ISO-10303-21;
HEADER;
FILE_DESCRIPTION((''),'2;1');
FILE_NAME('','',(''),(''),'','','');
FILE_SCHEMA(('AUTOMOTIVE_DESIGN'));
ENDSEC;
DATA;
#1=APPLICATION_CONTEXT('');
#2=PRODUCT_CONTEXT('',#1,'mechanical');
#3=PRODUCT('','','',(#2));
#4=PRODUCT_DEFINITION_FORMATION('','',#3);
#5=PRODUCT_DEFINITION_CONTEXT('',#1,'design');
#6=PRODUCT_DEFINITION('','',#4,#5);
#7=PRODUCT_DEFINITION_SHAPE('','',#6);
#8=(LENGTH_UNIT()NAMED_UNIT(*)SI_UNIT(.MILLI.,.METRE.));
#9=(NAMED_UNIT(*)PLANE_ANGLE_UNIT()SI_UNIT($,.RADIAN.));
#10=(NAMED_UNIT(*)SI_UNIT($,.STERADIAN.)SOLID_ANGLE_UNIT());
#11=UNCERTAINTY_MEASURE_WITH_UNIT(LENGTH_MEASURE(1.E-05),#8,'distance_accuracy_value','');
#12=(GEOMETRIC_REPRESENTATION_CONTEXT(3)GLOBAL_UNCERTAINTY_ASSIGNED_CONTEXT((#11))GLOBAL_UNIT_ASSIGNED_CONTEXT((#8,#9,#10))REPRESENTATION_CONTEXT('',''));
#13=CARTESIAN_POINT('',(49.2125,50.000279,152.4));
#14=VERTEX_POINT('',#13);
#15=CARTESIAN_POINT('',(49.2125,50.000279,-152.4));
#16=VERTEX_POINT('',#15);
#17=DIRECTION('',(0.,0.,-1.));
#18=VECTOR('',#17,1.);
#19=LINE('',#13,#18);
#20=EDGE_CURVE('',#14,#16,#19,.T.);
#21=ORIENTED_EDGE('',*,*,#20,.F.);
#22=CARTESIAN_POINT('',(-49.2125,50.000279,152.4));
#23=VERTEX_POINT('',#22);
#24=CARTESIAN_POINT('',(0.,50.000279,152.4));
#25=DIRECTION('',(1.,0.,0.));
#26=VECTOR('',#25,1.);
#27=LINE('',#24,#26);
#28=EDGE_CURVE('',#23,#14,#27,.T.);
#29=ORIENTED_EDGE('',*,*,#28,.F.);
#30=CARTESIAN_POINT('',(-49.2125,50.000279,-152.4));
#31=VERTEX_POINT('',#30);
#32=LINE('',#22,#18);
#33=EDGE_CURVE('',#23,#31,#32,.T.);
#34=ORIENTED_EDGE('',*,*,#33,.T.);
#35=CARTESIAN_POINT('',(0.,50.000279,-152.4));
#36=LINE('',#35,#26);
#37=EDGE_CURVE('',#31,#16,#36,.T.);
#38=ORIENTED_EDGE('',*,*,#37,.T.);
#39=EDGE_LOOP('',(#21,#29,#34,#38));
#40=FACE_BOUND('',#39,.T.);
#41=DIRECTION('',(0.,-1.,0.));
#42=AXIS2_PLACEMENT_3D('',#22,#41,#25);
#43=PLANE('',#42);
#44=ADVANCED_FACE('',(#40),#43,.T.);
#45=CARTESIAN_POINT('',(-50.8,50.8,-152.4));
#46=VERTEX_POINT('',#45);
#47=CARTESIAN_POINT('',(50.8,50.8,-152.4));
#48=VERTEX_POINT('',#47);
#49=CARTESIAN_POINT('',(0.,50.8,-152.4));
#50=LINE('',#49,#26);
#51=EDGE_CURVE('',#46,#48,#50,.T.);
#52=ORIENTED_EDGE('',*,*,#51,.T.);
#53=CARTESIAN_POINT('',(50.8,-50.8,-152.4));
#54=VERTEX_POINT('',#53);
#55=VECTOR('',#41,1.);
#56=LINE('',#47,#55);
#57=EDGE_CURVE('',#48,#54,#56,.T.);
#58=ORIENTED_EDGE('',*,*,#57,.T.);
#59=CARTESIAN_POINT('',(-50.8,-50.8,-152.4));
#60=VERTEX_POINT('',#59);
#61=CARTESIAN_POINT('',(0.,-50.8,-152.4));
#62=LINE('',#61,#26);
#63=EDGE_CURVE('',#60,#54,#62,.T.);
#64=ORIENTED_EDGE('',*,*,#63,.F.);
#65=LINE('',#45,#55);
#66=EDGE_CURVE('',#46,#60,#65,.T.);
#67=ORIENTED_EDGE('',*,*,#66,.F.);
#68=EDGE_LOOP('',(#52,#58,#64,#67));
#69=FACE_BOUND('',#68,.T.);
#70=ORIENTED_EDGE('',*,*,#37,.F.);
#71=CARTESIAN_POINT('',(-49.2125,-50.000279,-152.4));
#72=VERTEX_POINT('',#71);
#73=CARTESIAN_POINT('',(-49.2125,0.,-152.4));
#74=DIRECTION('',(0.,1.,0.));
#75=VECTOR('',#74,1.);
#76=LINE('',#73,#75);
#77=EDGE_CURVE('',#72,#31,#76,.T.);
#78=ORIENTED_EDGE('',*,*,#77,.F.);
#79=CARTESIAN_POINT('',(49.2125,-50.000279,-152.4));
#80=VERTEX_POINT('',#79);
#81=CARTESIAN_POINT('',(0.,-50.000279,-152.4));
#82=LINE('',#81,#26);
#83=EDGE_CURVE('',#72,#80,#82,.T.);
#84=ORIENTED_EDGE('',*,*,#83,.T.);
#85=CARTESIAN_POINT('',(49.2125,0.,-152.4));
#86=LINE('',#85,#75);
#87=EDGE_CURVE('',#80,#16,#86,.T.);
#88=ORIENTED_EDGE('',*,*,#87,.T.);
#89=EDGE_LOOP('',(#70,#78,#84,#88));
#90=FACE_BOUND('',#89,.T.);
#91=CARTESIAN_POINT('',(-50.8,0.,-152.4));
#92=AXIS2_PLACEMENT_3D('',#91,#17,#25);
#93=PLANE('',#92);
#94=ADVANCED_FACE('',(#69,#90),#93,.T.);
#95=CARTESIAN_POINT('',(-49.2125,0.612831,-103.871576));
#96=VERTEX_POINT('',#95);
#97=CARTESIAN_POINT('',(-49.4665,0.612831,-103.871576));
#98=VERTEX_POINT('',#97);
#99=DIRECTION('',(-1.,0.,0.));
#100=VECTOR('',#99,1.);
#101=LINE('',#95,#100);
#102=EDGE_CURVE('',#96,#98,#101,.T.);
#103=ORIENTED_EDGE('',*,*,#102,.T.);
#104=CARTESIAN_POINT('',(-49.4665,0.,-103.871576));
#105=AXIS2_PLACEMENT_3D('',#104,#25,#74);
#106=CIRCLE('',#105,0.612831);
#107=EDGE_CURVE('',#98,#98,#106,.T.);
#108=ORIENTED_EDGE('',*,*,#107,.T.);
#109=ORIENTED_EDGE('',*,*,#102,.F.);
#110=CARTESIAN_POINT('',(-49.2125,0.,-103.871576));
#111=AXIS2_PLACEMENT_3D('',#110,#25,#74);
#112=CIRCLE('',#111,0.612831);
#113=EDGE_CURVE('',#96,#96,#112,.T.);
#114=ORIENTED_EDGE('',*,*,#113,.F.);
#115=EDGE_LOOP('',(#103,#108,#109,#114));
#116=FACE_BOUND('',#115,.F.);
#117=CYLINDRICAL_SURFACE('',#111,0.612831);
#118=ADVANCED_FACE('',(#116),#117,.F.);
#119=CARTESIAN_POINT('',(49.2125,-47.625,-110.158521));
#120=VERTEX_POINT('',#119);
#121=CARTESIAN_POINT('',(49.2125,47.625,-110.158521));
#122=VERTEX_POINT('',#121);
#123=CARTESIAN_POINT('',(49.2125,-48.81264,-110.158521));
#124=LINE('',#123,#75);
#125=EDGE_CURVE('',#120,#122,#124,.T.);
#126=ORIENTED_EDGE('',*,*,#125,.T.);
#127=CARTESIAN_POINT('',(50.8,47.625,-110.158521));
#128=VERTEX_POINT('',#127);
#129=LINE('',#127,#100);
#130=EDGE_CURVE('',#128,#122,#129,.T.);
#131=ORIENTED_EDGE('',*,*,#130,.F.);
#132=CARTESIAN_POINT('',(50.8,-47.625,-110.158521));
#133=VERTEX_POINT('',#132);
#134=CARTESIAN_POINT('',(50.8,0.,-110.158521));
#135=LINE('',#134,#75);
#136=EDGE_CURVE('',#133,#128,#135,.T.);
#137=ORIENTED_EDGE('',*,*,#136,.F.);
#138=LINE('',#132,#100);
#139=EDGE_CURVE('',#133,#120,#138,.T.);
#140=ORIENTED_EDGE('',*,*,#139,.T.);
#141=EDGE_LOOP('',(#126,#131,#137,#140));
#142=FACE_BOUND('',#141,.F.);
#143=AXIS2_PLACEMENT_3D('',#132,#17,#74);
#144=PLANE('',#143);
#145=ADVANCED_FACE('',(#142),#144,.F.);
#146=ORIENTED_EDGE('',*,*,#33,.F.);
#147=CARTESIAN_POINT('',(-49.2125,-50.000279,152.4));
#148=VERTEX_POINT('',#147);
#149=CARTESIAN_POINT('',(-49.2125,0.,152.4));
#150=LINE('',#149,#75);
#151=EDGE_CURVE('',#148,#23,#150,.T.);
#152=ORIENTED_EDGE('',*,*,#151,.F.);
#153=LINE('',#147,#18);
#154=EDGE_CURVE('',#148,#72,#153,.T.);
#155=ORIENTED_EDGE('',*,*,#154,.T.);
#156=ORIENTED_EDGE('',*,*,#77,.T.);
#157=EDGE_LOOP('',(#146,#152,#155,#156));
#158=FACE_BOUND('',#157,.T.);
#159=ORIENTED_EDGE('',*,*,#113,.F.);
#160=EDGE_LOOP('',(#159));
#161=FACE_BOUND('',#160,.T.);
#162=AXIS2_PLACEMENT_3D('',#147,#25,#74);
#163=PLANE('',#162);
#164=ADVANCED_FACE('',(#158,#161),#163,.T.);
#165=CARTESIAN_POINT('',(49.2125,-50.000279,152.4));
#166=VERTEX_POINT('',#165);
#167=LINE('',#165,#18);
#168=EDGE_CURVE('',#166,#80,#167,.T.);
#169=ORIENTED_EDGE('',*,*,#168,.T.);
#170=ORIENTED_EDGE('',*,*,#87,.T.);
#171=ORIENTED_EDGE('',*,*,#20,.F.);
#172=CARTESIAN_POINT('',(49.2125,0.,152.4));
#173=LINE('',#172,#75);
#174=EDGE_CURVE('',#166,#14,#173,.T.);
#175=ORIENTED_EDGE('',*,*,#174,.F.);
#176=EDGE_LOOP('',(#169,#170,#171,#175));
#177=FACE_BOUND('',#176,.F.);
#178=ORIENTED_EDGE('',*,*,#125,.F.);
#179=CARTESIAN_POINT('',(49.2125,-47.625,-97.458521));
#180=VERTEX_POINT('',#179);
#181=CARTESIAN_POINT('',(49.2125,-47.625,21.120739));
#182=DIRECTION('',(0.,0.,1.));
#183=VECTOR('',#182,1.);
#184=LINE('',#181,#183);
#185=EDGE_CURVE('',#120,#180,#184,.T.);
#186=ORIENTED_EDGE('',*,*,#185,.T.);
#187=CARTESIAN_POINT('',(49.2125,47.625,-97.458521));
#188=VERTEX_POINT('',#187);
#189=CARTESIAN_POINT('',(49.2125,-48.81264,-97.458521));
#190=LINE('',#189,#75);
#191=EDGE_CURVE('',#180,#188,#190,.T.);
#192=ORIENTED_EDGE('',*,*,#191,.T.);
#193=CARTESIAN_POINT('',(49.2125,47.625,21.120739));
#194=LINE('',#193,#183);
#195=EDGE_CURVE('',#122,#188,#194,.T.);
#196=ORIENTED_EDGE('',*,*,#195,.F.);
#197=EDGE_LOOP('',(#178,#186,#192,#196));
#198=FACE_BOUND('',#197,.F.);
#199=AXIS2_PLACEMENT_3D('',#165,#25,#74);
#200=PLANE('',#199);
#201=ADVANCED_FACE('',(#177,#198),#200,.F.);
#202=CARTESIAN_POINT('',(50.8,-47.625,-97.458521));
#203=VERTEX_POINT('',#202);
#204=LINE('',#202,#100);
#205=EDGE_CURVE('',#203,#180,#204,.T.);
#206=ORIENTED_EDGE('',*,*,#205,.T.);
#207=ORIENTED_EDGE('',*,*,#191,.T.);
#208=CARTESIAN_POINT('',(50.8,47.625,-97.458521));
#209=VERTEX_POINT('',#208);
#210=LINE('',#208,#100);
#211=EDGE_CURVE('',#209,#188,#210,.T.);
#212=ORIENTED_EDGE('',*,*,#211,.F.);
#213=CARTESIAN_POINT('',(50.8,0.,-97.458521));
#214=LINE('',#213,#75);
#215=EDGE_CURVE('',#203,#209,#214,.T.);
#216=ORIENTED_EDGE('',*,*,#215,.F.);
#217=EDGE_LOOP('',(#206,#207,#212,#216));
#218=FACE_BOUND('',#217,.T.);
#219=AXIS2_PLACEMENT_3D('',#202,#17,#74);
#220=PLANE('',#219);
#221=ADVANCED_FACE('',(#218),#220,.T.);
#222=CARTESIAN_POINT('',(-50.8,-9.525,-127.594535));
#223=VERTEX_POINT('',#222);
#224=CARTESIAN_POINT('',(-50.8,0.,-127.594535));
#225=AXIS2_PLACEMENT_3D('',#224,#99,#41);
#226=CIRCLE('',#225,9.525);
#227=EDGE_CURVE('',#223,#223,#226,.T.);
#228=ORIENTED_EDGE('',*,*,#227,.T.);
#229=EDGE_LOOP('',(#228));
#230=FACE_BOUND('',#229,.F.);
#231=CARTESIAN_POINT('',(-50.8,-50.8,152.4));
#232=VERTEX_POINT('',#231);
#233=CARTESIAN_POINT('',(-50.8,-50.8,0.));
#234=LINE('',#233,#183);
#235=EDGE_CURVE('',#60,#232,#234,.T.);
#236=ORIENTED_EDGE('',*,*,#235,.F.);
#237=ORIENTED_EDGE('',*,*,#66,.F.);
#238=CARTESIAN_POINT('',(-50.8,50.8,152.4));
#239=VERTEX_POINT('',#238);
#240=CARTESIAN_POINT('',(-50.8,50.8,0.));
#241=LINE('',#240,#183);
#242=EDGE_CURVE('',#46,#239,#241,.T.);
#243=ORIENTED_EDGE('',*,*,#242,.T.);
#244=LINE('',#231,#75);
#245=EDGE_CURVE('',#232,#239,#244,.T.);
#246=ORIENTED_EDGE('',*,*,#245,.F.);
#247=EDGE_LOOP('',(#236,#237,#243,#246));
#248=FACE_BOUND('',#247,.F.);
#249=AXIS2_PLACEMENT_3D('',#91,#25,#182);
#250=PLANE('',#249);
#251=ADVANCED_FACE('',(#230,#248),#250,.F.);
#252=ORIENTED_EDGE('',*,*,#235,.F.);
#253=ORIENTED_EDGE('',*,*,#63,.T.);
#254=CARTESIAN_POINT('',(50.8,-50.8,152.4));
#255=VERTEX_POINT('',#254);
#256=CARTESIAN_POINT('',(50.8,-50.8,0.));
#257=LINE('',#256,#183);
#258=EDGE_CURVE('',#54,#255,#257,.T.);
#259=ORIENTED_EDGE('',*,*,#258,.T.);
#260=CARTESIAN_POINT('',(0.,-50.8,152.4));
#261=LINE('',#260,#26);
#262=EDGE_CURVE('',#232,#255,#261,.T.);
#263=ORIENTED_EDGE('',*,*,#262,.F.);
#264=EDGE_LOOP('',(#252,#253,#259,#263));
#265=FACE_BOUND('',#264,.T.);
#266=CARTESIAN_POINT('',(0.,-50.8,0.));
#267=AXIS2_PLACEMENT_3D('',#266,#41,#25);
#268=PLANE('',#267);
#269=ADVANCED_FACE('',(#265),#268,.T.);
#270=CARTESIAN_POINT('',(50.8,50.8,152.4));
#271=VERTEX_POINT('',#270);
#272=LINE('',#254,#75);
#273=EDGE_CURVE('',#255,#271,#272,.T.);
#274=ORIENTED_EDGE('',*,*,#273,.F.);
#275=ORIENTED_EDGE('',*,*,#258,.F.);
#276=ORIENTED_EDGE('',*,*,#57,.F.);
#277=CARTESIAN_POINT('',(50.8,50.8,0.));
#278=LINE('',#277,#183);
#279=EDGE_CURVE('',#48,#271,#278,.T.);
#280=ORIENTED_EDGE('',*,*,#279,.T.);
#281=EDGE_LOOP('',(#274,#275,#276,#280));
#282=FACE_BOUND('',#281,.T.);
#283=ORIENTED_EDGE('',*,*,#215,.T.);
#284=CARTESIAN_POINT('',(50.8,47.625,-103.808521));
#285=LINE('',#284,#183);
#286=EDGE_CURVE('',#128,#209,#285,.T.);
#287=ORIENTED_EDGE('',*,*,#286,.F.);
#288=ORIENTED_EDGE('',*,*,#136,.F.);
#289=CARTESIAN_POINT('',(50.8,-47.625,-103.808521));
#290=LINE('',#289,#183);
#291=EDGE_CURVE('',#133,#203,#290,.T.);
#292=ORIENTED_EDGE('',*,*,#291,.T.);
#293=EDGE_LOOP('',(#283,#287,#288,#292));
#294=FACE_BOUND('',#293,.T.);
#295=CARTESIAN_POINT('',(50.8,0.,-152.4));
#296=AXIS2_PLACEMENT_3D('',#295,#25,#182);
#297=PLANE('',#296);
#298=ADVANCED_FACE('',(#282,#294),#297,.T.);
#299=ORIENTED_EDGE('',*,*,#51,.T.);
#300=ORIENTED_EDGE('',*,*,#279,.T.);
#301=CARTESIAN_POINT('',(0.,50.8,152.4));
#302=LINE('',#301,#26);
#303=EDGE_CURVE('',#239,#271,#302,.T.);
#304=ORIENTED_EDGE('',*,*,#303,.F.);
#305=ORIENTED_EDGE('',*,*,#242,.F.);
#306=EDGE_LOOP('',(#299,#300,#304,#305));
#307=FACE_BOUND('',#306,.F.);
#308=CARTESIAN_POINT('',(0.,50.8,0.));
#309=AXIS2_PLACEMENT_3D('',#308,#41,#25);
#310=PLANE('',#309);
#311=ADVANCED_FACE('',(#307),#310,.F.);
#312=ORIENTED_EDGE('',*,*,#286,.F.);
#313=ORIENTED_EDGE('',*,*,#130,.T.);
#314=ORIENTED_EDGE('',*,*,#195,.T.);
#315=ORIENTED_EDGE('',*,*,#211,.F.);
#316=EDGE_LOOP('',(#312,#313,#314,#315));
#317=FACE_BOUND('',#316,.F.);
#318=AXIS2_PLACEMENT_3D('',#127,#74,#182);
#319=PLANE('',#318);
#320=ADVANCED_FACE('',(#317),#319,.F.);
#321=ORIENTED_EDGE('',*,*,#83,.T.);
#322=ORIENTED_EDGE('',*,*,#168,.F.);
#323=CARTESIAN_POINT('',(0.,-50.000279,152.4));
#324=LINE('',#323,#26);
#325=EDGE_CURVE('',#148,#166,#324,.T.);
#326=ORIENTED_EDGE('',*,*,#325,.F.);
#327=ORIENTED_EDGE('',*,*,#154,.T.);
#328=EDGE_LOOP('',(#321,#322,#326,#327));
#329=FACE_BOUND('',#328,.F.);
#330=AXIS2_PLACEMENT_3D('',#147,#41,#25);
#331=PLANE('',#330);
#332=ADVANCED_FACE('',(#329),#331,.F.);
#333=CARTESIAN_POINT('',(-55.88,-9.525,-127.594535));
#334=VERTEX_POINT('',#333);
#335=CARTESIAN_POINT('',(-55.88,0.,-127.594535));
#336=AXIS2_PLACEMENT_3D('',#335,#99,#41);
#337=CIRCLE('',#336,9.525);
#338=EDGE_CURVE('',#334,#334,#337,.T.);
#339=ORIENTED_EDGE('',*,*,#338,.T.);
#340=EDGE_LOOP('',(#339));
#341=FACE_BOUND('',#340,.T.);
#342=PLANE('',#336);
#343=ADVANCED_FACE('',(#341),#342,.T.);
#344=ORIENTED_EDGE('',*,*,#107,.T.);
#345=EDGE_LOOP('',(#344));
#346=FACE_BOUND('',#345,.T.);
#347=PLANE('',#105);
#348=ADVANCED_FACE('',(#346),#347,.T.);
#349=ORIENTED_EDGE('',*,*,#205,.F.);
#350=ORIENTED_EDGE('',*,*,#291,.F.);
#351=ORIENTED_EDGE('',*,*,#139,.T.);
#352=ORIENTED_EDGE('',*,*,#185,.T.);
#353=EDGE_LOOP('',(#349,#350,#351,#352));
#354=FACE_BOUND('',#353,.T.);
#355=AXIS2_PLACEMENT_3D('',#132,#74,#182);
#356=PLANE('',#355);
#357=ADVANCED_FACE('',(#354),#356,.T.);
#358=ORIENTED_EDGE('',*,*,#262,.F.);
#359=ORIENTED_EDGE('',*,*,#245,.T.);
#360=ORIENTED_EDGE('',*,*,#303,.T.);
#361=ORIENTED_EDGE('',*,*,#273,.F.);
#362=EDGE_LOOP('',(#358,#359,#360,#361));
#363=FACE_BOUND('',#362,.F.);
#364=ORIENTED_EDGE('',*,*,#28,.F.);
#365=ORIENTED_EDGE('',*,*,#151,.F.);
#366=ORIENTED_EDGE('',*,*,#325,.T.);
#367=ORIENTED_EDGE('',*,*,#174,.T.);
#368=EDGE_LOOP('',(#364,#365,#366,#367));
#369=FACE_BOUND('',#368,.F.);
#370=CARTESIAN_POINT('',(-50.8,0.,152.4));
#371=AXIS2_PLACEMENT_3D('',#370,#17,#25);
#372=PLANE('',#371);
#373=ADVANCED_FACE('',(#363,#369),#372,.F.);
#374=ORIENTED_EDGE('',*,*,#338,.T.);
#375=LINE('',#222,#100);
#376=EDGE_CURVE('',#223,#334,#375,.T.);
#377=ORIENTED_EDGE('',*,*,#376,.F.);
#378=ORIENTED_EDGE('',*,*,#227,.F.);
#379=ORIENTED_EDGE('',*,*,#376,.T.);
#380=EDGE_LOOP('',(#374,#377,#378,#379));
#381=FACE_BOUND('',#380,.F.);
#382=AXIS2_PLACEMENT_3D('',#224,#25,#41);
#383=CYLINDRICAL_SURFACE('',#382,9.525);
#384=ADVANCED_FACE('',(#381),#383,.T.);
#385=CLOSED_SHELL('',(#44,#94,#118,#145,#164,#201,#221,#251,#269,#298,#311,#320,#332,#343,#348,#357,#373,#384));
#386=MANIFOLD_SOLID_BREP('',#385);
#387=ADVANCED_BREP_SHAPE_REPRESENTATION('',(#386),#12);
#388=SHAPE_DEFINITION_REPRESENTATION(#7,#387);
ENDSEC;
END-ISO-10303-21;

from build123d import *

# Parameters (mm, degrees)
F0_W     = 101.6
F0_H     = 304.8
F1_DEPTH = 50.8
F2_W     = 98.425
F2_H     = 100.000558
F3_DEPTH = 304.8
F4_W     = 95.25
F4_H     = 12.7
F5_DEPTH = 25.4
F6_R     = 9.525
F7_DEPTH = 5.08
F8_R     = 0.612831
F9_DEPTH = 0.254


with BuildPart() as f1:
    # F0 (on Front) → F1 (new body, symmetric)
    with BuildSketch(Plane.XZ):
        Rectangle(F0_W, F0_H)
    extrude(amount=F1_DEPTH, both=True)

    # F2 (on face) → F3 (cut)
    with BuildSketch(Plane.XY.offset(152.4)):
        Rectangle(F2_W, F2_H)
    extrude(amount=-F3_DEPTH, mode=Mode.SUBTRACT)

    # F4 (on face) → F5 (cut)
    with BuildSketch(Plane.YZ.offset(50.8)):
        with Locations((0, -103.808521)):
            Rectangle(F4_W, F4_H)
    extrude(amount=-F5_DEPTH, mode=Mode.SUBTRACT)

    # F6 (on face) → F7 (join)
    with BuildSketch(Plane(origin=(-50.8, 0, 0), x_dir=(0, -1, 0), z_dir=(-1, 0, 0))):
        with Locations((0, -127.594535)):
            Circle(F6_R)
    extrude(amount=F7_DEPTH)

    # F8 (on face) → F9 (cut)
    with BuildSketch(Plane.YZ.offset(-49.2125)):
        with Locations((0, -103.871576)):
            Circle(F8_R)
    extrude(amount=-F9_DEPTH, mode=Mode.SUBTRACT)


solid = f1.part
